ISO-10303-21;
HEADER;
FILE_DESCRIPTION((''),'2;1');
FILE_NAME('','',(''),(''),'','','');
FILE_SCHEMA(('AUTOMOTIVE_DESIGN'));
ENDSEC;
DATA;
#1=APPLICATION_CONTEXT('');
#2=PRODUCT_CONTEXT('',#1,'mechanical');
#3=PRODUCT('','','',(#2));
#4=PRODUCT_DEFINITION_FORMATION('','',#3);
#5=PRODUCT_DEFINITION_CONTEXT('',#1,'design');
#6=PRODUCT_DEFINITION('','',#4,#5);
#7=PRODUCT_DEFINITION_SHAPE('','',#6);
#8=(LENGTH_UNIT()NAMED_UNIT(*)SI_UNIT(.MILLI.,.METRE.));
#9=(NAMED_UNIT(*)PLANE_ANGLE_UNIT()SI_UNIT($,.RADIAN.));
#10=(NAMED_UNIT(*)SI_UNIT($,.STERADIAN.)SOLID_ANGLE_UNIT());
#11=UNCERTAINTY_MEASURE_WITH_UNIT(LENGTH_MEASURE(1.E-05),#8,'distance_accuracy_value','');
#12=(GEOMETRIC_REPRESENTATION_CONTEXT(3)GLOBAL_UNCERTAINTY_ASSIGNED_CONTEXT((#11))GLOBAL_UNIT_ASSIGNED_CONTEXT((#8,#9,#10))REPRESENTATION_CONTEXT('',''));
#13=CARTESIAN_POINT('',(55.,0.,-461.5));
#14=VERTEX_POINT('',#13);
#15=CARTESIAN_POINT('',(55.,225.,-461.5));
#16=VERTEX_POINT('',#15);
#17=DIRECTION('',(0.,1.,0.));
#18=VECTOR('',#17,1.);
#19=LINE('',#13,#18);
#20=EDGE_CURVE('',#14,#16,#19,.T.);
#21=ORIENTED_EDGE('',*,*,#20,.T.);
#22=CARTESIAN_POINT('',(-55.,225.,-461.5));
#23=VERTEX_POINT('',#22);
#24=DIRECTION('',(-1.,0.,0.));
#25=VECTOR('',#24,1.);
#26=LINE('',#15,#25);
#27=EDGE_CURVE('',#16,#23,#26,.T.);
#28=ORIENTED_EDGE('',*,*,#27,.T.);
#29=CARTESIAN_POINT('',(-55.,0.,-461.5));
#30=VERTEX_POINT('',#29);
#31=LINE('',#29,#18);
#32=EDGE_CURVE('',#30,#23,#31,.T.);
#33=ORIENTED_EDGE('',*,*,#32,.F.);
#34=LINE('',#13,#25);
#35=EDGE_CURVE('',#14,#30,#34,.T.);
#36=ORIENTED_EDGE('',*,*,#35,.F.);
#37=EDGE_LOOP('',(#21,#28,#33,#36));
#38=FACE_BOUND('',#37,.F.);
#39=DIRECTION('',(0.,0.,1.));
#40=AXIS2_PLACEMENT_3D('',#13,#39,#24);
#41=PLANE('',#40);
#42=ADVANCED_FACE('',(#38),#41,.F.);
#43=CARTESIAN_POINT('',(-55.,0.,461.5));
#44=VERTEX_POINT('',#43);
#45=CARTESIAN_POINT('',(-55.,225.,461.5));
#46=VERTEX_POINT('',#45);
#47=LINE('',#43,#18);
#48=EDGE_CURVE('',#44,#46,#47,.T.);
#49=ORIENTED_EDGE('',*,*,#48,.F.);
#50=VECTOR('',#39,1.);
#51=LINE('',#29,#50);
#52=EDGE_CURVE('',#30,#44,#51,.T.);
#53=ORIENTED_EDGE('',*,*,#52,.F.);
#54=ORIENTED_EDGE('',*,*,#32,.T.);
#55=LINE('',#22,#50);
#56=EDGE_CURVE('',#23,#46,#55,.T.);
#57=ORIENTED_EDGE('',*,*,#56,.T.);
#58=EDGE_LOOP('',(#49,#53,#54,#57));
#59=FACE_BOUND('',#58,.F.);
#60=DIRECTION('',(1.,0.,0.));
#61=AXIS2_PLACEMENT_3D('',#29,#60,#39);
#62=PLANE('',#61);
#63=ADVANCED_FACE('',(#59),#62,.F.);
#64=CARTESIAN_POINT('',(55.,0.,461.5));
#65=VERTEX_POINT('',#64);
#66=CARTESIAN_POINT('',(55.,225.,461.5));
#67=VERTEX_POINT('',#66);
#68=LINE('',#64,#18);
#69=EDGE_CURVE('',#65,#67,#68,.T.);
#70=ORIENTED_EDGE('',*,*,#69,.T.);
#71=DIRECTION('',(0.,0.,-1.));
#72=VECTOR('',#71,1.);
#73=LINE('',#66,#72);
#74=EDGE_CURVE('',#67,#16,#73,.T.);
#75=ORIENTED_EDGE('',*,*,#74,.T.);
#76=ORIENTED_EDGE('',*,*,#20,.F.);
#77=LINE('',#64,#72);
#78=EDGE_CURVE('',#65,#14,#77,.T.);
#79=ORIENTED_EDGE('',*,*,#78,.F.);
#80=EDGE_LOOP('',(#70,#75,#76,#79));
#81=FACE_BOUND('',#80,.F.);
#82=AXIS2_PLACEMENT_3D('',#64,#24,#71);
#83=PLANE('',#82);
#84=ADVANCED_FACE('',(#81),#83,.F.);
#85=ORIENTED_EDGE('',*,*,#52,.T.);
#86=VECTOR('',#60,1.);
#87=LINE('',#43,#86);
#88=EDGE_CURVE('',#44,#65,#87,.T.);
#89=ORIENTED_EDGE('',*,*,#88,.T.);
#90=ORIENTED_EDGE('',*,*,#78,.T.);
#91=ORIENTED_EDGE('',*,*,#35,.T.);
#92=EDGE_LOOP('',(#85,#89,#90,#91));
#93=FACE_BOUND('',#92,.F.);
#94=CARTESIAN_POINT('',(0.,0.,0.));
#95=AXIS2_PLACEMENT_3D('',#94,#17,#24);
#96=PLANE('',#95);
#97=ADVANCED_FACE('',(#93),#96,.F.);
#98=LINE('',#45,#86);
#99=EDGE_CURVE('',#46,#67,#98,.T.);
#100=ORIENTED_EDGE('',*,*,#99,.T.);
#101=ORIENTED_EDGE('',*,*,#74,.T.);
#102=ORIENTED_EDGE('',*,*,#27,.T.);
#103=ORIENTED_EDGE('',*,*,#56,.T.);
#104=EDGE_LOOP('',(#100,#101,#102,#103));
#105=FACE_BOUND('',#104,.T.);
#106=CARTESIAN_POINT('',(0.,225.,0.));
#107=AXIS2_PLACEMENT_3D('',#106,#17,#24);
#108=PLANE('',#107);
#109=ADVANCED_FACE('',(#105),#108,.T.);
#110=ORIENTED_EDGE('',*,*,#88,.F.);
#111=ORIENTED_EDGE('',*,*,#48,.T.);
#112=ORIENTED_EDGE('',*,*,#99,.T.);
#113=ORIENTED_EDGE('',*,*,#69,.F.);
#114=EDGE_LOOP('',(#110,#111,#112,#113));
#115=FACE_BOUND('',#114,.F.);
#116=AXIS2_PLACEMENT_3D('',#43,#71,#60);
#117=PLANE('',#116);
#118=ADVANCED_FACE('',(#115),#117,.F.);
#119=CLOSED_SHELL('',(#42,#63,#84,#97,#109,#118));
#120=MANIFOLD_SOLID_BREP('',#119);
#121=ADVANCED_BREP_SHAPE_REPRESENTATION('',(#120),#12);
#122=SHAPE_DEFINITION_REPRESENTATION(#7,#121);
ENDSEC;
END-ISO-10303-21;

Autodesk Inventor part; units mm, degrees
ref_plane "YZ Plane" through (0, 0, 0) normal (1, 0, 0) x (0, 1, 0)
ref_plane "XZ Plane" through (0, 0, 0) normal (0, 1, 0) x (-1, 0, 0)
ref_plane "XY Plane" through (0, 0, 0) normal (0, 0, 1) x (1, 0, 0)
sketch "Sketch5" plane through (0, 0, 0) normal (0, 1, 0) x (-1, 0, 0)
  line L0 (55, 461.5) -> (-55, 461.5)
  line L1 (-55, 461.5) -> (-55, -461.5)
  line L2 (-55, -461.5) -> (55, -461.5)
  line L3 (55, -461.5) -> (55, 461.5)
  point P0 (0, 0)
  point P1 (55, 0)
  point P2 (0, 461.5)
  dimension "d8" = 110
  dimension "d9" = 923
extrude "Extrusion5" add sketch "Sketch5" along normal blind 225
properties part number "BLANK-BC-10006" material "Aço Carbono"
